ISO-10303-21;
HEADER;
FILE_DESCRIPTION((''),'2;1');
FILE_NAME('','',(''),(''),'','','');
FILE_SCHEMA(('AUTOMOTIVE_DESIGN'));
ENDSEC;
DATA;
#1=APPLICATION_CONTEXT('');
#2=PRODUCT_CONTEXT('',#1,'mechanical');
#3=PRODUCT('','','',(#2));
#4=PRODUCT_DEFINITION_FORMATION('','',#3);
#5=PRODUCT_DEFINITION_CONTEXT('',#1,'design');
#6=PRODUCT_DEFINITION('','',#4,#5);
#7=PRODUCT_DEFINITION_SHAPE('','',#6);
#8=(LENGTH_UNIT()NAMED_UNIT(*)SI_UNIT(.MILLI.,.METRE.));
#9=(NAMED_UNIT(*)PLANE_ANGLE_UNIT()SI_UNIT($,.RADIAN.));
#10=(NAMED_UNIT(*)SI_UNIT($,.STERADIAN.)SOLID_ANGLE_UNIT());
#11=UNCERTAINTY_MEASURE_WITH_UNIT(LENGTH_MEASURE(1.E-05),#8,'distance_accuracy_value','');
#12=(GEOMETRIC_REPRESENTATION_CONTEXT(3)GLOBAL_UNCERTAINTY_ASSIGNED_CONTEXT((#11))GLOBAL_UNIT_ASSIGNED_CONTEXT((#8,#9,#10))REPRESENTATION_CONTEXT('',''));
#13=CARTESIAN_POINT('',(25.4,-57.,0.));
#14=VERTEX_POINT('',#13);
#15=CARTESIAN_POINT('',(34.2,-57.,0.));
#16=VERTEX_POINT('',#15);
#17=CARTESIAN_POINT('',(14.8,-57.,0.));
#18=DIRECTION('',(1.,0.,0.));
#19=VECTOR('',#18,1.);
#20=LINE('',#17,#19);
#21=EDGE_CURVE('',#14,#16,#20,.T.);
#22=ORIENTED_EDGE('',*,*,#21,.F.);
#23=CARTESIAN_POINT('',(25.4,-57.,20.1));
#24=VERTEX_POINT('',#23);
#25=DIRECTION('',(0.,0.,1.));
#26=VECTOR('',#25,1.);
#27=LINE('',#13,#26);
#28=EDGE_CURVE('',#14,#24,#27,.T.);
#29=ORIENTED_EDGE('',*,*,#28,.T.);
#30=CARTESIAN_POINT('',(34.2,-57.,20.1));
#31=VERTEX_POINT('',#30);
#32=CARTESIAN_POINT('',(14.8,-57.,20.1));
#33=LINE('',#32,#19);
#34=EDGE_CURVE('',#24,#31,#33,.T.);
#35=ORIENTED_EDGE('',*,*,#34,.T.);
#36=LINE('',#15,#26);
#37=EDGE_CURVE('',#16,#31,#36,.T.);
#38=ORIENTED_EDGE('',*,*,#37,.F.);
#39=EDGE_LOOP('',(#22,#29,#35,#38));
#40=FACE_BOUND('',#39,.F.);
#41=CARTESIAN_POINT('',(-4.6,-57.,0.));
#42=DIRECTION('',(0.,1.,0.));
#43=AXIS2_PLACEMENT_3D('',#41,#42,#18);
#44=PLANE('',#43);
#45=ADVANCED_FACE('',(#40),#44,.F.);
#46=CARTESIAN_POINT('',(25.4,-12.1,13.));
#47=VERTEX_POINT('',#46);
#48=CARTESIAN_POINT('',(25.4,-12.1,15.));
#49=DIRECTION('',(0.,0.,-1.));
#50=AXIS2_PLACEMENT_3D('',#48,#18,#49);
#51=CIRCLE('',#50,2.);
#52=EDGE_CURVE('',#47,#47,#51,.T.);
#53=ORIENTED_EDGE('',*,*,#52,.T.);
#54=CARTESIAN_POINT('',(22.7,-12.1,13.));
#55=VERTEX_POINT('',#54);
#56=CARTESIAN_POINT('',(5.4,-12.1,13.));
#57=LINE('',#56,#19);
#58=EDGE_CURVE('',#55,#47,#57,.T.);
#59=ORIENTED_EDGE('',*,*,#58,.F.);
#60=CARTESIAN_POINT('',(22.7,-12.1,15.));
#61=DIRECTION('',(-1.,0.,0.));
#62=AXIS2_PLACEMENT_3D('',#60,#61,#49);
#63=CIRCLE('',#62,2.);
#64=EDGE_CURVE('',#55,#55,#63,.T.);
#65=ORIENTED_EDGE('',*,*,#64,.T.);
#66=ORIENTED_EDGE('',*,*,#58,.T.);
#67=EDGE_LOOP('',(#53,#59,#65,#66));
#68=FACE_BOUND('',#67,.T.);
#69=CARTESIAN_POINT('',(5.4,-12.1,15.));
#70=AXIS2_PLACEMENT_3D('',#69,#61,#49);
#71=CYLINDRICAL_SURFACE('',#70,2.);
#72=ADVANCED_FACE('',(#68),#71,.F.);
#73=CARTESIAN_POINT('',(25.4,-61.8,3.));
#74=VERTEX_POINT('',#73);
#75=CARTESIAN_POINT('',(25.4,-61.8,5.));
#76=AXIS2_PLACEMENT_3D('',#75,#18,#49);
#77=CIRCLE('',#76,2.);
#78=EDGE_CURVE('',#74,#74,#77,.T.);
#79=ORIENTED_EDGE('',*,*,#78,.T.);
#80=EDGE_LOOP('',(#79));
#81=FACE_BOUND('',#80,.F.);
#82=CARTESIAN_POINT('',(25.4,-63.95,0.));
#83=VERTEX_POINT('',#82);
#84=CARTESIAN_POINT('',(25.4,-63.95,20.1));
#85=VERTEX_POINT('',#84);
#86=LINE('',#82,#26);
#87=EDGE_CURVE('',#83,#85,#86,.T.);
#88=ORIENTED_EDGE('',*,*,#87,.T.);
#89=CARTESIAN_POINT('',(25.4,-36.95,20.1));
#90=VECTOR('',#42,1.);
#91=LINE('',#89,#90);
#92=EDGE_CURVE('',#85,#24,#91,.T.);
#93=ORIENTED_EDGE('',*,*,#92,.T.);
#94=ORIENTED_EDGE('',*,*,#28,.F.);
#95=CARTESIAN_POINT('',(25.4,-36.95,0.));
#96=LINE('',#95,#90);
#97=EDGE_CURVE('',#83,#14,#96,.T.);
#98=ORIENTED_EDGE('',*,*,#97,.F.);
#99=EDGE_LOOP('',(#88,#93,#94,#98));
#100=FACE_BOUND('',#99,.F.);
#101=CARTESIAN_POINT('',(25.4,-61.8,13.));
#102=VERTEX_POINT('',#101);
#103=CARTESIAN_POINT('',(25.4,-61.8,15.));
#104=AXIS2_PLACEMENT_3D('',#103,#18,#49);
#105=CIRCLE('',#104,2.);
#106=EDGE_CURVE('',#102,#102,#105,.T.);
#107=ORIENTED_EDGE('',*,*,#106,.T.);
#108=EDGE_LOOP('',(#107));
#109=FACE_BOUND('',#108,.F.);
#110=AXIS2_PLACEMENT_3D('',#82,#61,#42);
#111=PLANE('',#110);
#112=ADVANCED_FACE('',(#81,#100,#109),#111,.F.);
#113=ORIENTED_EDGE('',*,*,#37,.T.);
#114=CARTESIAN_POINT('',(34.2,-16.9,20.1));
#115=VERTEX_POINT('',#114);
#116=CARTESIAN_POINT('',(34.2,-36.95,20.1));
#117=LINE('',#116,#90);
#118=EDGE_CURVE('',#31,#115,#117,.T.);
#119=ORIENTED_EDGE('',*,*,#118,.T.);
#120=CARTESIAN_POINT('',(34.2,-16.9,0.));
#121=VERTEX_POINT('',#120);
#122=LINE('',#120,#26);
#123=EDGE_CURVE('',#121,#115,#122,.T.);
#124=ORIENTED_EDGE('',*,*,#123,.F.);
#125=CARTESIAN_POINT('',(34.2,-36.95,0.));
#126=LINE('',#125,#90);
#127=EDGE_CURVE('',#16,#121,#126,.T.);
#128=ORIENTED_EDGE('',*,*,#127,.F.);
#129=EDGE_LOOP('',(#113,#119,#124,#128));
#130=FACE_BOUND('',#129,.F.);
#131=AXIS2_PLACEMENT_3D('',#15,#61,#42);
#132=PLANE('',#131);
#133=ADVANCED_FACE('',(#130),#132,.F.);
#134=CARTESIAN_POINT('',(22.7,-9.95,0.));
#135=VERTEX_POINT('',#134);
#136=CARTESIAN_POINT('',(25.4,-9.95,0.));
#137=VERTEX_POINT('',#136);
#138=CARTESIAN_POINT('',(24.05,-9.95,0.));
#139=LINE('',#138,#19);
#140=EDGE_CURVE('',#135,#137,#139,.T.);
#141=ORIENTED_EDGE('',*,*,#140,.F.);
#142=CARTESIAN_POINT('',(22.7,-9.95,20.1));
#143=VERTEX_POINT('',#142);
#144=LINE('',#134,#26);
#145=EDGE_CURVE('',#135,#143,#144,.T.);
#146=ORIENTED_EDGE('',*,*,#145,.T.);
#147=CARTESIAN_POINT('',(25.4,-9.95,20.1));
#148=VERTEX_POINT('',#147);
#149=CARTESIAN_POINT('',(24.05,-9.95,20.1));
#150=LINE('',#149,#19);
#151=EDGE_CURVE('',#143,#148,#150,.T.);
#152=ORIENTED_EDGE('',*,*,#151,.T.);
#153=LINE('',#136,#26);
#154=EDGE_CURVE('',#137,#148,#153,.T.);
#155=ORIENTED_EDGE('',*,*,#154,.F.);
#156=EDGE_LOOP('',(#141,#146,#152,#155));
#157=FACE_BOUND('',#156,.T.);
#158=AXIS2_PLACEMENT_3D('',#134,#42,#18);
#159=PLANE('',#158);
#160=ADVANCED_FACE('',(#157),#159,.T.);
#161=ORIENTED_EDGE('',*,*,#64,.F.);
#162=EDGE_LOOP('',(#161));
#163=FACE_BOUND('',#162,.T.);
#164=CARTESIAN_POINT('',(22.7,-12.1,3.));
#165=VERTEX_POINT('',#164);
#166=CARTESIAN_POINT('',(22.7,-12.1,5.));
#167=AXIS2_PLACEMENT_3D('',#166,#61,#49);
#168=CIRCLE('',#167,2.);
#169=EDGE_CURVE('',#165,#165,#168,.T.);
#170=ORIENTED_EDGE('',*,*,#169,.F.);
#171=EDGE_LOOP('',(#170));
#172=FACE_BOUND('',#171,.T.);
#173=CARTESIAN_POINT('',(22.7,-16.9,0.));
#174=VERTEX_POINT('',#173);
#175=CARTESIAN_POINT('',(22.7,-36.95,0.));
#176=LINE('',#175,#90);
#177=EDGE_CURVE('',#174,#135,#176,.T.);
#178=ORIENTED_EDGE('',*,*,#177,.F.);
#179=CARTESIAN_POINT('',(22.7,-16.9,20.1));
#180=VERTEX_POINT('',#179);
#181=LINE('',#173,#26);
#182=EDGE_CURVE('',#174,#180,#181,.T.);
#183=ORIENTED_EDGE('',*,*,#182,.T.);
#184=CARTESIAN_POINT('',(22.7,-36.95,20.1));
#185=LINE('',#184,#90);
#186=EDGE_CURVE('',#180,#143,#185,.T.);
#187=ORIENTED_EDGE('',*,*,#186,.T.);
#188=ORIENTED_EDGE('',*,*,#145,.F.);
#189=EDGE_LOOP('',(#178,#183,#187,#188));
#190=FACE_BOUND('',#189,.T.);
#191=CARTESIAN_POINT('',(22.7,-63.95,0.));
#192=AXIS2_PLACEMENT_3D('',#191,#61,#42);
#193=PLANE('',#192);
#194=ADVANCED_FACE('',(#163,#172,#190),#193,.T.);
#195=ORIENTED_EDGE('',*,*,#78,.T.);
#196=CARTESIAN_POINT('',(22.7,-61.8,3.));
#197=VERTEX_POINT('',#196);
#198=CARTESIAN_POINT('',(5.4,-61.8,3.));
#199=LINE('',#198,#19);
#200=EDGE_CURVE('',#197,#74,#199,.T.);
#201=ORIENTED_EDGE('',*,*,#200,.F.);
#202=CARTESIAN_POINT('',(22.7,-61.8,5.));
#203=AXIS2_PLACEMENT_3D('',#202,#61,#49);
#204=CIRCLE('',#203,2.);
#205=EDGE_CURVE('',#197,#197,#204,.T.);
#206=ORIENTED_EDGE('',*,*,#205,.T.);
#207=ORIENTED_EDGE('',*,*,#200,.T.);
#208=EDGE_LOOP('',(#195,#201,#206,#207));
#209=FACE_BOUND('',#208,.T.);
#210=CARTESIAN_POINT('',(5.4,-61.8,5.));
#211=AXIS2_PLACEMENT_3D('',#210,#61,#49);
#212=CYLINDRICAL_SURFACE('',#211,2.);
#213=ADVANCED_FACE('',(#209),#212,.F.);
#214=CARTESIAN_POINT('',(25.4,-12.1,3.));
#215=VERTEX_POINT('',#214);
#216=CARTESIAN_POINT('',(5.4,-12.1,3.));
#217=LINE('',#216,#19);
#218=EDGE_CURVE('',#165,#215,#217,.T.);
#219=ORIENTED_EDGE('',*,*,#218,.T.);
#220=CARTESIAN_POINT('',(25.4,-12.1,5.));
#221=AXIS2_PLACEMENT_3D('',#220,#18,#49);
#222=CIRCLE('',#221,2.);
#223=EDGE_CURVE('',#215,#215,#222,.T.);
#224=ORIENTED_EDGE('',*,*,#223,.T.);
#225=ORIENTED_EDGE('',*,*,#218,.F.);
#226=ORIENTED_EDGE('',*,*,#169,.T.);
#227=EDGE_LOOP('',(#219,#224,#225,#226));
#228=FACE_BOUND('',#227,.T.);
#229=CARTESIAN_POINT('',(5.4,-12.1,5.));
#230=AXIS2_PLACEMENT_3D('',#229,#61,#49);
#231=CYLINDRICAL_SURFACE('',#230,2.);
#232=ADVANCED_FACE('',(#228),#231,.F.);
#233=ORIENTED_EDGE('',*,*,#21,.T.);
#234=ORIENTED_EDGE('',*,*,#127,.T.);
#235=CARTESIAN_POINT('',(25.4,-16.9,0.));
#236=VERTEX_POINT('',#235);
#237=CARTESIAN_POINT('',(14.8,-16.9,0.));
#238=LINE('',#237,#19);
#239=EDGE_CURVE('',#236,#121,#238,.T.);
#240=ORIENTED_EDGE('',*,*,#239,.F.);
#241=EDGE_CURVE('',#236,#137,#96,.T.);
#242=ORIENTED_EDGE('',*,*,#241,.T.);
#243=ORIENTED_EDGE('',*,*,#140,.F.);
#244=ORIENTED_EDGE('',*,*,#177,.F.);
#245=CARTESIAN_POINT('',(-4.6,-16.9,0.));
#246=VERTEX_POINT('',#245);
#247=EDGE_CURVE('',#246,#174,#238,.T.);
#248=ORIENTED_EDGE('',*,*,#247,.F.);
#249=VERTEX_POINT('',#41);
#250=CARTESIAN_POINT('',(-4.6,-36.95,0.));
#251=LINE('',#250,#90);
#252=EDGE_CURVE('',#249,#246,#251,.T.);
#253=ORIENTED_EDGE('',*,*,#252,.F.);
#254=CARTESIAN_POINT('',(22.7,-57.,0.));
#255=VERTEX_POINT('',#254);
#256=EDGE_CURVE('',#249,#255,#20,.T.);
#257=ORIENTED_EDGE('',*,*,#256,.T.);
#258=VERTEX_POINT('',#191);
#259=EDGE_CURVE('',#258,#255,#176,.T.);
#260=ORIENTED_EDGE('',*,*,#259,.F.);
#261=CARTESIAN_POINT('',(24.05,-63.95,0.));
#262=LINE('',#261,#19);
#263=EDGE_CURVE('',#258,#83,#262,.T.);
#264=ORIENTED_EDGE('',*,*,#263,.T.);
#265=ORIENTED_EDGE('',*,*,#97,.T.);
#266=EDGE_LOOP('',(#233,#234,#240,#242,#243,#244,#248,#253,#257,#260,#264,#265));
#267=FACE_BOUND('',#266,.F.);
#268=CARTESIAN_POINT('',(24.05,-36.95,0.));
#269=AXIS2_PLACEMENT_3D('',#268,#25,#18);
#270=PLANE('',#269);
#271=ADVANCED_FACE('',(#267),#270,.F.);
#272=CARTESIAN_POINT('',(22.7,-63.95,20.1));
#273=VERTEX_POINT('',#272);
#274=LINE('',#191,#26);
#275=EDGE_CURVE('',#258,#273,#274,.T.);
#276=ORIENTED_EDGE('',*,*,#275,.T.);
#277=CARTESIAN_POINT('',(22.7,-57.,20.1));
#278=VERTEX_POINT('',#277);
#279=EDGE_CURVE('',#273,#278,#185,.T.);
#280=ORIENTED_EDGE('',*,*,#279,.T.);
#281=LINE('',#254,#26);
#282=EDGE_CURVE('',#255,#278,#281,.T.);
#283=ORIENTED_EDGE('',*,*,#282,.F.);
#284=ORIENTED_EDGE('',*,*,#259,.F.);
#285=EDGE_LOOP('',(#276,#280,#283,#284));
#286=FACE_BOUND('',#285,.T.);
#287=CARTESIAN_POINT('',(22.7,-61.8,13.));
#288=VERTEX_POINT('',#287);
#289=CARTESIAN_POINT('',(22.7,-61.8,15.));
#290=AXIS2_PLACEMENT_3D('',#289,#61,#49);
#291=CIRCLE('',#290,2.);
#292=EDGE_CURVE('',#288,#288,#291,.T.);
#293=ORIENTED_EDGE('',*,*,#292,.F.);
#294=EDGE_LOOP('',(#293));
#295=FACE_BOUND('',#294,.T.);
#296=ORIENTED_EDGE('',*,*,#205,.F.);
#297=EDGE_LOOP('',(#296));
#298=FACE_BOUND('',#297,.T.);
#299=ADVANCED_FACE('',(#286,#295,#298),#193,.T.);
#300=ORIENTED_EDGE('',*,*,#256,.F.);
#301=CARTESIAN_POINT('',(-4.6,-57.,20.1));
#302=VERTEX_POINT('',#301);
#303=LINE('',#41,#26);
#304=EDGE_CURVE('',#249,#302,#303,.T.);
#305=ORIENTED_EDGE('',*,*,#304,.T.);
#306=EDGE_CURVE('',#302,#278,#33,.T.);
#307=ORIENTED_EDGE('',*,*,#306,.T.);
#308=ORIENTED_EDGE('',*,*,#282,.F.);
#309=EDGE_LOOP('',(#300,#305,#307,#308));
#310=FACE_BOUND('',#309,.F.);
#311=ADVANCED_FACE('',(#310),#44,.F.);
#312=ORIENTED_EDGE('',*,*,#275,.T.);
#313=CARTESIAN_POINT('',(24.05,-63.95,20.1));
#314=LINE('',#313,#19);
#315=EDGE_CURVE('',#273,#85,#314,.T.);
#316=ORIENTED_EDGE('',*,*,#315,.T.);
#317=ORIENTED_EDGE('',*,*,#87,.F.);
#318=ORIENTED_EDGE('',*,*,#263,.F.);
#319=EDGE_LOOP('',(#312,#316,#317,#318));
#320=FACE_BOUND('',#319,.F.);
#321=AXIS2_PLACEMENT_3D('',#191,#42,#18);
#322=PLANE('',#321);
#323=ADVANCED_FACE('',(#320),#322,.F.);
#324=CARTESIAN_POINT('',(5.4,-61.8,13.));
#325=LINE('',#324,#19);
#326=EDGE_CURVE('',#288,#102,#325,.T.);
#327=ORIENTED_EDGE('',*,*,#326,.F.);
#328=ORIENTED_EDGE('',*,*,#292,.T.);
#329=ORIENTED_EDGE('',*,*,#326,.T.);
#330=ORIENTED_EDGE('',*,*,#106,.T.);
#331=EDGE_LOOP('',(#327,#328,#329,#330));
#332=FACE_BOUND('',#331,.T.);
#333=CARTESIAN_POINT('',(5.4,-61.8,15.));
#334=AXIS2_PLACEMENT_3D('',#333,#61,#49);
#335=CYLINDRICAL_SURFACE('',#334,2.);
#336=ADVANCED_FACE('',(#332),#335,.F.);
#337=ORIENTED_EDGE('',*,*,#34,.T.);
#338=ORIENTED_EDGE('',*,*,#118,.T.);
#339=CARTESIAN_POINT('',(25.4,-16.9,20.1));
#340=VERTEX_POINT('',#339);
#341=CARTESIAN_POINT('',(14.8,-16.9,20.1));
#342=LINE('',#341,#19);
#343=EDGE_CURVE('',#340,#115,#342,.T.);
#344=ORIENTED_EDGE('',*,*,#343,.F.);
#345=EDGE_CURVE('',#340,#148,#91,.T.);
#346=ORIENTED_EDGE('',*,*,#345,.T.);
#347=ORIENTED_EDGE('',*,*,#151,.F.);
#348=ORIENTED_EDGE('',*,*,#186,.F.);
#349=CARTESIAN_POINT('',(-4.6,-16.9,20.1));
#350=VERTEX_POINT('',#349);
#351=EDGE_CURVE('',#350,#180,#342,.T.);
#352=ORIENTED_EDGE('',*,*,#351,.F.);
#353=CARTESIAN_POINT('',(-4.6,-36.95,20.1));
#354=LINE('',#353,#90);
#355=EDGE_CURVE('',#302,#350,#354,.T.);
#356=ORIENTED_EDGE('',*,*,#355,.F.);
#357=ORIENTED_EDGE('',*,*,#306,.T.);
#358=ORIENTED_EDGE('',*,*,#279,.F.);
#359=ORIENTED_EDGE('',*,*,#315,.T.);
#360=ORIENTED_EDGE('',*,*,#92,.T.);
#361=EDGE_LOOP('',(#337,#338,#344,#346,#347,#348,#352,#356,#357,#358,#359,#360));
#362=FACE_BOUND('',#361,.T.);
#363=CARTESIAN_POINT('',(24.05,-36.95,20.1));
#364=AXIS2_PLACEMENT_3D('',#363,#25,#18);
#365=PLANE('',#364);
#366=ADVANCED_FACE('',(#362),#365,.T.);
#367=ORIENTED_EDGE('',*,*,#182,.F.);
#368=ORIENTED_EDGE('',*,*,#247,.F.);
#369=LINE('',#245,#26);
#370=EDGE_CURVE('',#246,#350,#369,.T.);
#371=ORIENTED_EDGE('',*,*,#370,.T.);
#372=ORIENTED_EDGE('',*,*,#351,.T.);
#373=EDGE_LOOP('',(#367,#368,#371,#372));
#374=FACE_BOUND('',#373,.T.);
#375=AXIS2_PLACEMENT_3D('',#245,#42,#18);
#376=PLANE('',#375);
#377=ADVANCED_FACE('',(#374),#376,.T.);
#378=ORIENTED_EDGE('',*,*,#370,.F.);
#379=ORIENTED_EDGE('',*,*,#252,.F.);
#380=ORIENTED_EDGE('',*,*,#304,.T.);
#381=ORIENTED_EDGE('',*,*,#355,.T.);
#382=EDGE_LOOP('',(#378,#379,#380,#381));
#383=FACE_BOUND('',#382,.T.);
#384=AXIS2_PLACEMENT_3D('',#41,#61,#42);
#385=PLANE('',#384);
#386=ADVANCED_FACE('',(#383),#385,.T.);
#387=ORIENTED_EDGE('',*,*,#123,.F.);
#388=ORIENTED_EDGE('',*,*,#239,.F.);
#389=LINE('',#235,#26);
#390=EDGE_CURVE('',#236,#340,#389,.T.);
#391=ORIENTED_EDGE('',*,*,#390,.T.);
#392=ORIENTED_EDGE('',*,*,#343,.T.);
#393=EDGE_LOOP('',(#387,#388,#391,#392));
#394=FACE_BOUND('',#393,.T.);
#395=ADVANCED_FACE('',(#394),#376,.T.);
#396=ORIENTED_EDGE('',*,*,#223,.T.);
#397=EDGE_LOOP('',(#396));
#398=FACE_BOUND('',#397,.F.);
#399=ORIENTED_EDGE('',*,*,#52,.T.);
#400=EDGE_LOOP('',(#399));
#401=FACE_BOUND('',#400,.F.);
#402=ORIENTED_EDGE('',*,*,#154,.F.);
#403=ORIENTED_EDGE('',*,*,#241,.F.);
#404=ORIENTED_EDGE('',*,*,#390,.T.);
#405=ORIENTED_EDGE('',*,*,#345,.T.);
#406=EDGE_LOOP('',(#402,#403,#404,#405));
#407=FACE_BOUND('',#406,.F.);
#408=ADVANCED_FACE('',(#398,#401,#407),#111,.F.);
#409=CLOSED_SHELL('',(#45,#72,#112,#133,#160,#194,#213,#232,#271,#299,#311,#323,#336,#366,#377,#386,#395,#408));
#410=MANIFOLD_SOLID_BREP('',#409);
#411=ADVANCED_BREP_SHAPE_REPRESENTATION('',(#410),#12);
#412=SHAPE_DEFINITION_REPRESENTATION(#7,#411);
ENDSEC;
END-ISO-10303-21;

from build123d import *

# Parameters (mm, degrees)
CYLINDER170_R     = 2
CYLINDER170_DEPTH = 20
CYLINDER169_R     = 2
CYLINDER169_DEPTH = 20
CYLINDER167_R     = 2
CYLINDER167_DEPTH = 20
CYLINDER168_R     = 2
CYLINDER168_DEPTH = 20
BOX225_W          = 2.7
BOX225_H          = 54
BOX225_DEPTH      = 20.1
BOX226_W          = 38.8
BOX226_H          = 40.1
BOX226_DEPTH      = 20.1


with BuildPart() as cylinder170:
    # Cylinder170 → Cylinder170 (new body)
    with BuildSketch(Plane(origin=(9.4, -71.8, 5), x_dir=(0, 0, -1), z_dir=(1, 0, 0))):
        Circle(CYLINDER170_R)
    extrude(amount=CYLINDER170_DEPTH)


with BuildPart() as cylinder169:
    # Cylinder169 → Cylinder169 (new body)
    with BuildSketch(Plane(origin=(9.4, -71.8, 15), x_dir=(0, 0, -1), z_dir=(1, 0, 0))):
        Circle(CYLINDER169_R)
    extrude(amount=CYLINDER169_DEPTH)


with BuildPart() as cylinder167:
    # Cylinder167 → Cylinder167 (new body)
    with BuildSketch(Plane(origin=(9.4, -22.1, 5), x_dir=(0, 0, -1), z_dir=(1, 0, 0))):
        Circle(CYLINDER167_R)
    extrude(amount=CYLINDER167_DEPTH)


with BuildPart() as cylinder168:
    # Cylinder168 → Cylinder168 (new body)
    with BuildSketch(Plane(origin=(9.4, -22.1, 15), x_dir=(0, 0, -1), z_dir=(1, 0, 0))):
        Circle(CYLINDER168_R)
    extrude(amount=CYLINDER168_DEPTH)


with BuildPart() as box225:
    # Box225 → Box225 (new body)
    with BuildSketch(Plane(origin=(109.3, -99.95, 0), x_dir=(1, 0, 0), z_dir=(0, 0, 1))):
        with Locations((1.35, 27)):
            Rectangle(BOX225_W, BOX225_H)
    extrude(amount=BOX225_DEPTH)


with BuildPart() as cut123:
    # Box226 → Box226 (new body)
    with BuildSketch(Plane(origin=(82, -93, 0), x_dir=(1, 0, 0), z_dir=(0, 0, 1))):
        with Locations((19.4, 20.05)):
            Rectangle(BOX226_W, BOX226_H)
    extrude(amount=BOX226_DEPTH)

    # Fusion086: union Box225
    add(box225.part)


with BuildPart() as cut123_1:
    # Fusion086 placement: moved
    add(cut123.part.moved(Location((-82.6, 26, 0))))

    # Cut120: cut Cylinder168
    add(cylinder168.part, mode=Mode.SUBTRACT)

    # Cut121: cut Cylinder167
    add(cylinder167.part, mode=Mode.SUBTRACT)

    # Cut122: cut Cylinder169
    add(cylinder169.part, mode=Mode.SUBTRACT)

    # Cut123: cut Cylinder170
    add(cylinder170.part, mode=Mode.SUBTRACT)


with BuildPart() as cut123_2:
    # Cut123 placement: moved
    add(cut123_1.part.moved(Location((-4, 10, 0))))


solid = cut123_2.part
